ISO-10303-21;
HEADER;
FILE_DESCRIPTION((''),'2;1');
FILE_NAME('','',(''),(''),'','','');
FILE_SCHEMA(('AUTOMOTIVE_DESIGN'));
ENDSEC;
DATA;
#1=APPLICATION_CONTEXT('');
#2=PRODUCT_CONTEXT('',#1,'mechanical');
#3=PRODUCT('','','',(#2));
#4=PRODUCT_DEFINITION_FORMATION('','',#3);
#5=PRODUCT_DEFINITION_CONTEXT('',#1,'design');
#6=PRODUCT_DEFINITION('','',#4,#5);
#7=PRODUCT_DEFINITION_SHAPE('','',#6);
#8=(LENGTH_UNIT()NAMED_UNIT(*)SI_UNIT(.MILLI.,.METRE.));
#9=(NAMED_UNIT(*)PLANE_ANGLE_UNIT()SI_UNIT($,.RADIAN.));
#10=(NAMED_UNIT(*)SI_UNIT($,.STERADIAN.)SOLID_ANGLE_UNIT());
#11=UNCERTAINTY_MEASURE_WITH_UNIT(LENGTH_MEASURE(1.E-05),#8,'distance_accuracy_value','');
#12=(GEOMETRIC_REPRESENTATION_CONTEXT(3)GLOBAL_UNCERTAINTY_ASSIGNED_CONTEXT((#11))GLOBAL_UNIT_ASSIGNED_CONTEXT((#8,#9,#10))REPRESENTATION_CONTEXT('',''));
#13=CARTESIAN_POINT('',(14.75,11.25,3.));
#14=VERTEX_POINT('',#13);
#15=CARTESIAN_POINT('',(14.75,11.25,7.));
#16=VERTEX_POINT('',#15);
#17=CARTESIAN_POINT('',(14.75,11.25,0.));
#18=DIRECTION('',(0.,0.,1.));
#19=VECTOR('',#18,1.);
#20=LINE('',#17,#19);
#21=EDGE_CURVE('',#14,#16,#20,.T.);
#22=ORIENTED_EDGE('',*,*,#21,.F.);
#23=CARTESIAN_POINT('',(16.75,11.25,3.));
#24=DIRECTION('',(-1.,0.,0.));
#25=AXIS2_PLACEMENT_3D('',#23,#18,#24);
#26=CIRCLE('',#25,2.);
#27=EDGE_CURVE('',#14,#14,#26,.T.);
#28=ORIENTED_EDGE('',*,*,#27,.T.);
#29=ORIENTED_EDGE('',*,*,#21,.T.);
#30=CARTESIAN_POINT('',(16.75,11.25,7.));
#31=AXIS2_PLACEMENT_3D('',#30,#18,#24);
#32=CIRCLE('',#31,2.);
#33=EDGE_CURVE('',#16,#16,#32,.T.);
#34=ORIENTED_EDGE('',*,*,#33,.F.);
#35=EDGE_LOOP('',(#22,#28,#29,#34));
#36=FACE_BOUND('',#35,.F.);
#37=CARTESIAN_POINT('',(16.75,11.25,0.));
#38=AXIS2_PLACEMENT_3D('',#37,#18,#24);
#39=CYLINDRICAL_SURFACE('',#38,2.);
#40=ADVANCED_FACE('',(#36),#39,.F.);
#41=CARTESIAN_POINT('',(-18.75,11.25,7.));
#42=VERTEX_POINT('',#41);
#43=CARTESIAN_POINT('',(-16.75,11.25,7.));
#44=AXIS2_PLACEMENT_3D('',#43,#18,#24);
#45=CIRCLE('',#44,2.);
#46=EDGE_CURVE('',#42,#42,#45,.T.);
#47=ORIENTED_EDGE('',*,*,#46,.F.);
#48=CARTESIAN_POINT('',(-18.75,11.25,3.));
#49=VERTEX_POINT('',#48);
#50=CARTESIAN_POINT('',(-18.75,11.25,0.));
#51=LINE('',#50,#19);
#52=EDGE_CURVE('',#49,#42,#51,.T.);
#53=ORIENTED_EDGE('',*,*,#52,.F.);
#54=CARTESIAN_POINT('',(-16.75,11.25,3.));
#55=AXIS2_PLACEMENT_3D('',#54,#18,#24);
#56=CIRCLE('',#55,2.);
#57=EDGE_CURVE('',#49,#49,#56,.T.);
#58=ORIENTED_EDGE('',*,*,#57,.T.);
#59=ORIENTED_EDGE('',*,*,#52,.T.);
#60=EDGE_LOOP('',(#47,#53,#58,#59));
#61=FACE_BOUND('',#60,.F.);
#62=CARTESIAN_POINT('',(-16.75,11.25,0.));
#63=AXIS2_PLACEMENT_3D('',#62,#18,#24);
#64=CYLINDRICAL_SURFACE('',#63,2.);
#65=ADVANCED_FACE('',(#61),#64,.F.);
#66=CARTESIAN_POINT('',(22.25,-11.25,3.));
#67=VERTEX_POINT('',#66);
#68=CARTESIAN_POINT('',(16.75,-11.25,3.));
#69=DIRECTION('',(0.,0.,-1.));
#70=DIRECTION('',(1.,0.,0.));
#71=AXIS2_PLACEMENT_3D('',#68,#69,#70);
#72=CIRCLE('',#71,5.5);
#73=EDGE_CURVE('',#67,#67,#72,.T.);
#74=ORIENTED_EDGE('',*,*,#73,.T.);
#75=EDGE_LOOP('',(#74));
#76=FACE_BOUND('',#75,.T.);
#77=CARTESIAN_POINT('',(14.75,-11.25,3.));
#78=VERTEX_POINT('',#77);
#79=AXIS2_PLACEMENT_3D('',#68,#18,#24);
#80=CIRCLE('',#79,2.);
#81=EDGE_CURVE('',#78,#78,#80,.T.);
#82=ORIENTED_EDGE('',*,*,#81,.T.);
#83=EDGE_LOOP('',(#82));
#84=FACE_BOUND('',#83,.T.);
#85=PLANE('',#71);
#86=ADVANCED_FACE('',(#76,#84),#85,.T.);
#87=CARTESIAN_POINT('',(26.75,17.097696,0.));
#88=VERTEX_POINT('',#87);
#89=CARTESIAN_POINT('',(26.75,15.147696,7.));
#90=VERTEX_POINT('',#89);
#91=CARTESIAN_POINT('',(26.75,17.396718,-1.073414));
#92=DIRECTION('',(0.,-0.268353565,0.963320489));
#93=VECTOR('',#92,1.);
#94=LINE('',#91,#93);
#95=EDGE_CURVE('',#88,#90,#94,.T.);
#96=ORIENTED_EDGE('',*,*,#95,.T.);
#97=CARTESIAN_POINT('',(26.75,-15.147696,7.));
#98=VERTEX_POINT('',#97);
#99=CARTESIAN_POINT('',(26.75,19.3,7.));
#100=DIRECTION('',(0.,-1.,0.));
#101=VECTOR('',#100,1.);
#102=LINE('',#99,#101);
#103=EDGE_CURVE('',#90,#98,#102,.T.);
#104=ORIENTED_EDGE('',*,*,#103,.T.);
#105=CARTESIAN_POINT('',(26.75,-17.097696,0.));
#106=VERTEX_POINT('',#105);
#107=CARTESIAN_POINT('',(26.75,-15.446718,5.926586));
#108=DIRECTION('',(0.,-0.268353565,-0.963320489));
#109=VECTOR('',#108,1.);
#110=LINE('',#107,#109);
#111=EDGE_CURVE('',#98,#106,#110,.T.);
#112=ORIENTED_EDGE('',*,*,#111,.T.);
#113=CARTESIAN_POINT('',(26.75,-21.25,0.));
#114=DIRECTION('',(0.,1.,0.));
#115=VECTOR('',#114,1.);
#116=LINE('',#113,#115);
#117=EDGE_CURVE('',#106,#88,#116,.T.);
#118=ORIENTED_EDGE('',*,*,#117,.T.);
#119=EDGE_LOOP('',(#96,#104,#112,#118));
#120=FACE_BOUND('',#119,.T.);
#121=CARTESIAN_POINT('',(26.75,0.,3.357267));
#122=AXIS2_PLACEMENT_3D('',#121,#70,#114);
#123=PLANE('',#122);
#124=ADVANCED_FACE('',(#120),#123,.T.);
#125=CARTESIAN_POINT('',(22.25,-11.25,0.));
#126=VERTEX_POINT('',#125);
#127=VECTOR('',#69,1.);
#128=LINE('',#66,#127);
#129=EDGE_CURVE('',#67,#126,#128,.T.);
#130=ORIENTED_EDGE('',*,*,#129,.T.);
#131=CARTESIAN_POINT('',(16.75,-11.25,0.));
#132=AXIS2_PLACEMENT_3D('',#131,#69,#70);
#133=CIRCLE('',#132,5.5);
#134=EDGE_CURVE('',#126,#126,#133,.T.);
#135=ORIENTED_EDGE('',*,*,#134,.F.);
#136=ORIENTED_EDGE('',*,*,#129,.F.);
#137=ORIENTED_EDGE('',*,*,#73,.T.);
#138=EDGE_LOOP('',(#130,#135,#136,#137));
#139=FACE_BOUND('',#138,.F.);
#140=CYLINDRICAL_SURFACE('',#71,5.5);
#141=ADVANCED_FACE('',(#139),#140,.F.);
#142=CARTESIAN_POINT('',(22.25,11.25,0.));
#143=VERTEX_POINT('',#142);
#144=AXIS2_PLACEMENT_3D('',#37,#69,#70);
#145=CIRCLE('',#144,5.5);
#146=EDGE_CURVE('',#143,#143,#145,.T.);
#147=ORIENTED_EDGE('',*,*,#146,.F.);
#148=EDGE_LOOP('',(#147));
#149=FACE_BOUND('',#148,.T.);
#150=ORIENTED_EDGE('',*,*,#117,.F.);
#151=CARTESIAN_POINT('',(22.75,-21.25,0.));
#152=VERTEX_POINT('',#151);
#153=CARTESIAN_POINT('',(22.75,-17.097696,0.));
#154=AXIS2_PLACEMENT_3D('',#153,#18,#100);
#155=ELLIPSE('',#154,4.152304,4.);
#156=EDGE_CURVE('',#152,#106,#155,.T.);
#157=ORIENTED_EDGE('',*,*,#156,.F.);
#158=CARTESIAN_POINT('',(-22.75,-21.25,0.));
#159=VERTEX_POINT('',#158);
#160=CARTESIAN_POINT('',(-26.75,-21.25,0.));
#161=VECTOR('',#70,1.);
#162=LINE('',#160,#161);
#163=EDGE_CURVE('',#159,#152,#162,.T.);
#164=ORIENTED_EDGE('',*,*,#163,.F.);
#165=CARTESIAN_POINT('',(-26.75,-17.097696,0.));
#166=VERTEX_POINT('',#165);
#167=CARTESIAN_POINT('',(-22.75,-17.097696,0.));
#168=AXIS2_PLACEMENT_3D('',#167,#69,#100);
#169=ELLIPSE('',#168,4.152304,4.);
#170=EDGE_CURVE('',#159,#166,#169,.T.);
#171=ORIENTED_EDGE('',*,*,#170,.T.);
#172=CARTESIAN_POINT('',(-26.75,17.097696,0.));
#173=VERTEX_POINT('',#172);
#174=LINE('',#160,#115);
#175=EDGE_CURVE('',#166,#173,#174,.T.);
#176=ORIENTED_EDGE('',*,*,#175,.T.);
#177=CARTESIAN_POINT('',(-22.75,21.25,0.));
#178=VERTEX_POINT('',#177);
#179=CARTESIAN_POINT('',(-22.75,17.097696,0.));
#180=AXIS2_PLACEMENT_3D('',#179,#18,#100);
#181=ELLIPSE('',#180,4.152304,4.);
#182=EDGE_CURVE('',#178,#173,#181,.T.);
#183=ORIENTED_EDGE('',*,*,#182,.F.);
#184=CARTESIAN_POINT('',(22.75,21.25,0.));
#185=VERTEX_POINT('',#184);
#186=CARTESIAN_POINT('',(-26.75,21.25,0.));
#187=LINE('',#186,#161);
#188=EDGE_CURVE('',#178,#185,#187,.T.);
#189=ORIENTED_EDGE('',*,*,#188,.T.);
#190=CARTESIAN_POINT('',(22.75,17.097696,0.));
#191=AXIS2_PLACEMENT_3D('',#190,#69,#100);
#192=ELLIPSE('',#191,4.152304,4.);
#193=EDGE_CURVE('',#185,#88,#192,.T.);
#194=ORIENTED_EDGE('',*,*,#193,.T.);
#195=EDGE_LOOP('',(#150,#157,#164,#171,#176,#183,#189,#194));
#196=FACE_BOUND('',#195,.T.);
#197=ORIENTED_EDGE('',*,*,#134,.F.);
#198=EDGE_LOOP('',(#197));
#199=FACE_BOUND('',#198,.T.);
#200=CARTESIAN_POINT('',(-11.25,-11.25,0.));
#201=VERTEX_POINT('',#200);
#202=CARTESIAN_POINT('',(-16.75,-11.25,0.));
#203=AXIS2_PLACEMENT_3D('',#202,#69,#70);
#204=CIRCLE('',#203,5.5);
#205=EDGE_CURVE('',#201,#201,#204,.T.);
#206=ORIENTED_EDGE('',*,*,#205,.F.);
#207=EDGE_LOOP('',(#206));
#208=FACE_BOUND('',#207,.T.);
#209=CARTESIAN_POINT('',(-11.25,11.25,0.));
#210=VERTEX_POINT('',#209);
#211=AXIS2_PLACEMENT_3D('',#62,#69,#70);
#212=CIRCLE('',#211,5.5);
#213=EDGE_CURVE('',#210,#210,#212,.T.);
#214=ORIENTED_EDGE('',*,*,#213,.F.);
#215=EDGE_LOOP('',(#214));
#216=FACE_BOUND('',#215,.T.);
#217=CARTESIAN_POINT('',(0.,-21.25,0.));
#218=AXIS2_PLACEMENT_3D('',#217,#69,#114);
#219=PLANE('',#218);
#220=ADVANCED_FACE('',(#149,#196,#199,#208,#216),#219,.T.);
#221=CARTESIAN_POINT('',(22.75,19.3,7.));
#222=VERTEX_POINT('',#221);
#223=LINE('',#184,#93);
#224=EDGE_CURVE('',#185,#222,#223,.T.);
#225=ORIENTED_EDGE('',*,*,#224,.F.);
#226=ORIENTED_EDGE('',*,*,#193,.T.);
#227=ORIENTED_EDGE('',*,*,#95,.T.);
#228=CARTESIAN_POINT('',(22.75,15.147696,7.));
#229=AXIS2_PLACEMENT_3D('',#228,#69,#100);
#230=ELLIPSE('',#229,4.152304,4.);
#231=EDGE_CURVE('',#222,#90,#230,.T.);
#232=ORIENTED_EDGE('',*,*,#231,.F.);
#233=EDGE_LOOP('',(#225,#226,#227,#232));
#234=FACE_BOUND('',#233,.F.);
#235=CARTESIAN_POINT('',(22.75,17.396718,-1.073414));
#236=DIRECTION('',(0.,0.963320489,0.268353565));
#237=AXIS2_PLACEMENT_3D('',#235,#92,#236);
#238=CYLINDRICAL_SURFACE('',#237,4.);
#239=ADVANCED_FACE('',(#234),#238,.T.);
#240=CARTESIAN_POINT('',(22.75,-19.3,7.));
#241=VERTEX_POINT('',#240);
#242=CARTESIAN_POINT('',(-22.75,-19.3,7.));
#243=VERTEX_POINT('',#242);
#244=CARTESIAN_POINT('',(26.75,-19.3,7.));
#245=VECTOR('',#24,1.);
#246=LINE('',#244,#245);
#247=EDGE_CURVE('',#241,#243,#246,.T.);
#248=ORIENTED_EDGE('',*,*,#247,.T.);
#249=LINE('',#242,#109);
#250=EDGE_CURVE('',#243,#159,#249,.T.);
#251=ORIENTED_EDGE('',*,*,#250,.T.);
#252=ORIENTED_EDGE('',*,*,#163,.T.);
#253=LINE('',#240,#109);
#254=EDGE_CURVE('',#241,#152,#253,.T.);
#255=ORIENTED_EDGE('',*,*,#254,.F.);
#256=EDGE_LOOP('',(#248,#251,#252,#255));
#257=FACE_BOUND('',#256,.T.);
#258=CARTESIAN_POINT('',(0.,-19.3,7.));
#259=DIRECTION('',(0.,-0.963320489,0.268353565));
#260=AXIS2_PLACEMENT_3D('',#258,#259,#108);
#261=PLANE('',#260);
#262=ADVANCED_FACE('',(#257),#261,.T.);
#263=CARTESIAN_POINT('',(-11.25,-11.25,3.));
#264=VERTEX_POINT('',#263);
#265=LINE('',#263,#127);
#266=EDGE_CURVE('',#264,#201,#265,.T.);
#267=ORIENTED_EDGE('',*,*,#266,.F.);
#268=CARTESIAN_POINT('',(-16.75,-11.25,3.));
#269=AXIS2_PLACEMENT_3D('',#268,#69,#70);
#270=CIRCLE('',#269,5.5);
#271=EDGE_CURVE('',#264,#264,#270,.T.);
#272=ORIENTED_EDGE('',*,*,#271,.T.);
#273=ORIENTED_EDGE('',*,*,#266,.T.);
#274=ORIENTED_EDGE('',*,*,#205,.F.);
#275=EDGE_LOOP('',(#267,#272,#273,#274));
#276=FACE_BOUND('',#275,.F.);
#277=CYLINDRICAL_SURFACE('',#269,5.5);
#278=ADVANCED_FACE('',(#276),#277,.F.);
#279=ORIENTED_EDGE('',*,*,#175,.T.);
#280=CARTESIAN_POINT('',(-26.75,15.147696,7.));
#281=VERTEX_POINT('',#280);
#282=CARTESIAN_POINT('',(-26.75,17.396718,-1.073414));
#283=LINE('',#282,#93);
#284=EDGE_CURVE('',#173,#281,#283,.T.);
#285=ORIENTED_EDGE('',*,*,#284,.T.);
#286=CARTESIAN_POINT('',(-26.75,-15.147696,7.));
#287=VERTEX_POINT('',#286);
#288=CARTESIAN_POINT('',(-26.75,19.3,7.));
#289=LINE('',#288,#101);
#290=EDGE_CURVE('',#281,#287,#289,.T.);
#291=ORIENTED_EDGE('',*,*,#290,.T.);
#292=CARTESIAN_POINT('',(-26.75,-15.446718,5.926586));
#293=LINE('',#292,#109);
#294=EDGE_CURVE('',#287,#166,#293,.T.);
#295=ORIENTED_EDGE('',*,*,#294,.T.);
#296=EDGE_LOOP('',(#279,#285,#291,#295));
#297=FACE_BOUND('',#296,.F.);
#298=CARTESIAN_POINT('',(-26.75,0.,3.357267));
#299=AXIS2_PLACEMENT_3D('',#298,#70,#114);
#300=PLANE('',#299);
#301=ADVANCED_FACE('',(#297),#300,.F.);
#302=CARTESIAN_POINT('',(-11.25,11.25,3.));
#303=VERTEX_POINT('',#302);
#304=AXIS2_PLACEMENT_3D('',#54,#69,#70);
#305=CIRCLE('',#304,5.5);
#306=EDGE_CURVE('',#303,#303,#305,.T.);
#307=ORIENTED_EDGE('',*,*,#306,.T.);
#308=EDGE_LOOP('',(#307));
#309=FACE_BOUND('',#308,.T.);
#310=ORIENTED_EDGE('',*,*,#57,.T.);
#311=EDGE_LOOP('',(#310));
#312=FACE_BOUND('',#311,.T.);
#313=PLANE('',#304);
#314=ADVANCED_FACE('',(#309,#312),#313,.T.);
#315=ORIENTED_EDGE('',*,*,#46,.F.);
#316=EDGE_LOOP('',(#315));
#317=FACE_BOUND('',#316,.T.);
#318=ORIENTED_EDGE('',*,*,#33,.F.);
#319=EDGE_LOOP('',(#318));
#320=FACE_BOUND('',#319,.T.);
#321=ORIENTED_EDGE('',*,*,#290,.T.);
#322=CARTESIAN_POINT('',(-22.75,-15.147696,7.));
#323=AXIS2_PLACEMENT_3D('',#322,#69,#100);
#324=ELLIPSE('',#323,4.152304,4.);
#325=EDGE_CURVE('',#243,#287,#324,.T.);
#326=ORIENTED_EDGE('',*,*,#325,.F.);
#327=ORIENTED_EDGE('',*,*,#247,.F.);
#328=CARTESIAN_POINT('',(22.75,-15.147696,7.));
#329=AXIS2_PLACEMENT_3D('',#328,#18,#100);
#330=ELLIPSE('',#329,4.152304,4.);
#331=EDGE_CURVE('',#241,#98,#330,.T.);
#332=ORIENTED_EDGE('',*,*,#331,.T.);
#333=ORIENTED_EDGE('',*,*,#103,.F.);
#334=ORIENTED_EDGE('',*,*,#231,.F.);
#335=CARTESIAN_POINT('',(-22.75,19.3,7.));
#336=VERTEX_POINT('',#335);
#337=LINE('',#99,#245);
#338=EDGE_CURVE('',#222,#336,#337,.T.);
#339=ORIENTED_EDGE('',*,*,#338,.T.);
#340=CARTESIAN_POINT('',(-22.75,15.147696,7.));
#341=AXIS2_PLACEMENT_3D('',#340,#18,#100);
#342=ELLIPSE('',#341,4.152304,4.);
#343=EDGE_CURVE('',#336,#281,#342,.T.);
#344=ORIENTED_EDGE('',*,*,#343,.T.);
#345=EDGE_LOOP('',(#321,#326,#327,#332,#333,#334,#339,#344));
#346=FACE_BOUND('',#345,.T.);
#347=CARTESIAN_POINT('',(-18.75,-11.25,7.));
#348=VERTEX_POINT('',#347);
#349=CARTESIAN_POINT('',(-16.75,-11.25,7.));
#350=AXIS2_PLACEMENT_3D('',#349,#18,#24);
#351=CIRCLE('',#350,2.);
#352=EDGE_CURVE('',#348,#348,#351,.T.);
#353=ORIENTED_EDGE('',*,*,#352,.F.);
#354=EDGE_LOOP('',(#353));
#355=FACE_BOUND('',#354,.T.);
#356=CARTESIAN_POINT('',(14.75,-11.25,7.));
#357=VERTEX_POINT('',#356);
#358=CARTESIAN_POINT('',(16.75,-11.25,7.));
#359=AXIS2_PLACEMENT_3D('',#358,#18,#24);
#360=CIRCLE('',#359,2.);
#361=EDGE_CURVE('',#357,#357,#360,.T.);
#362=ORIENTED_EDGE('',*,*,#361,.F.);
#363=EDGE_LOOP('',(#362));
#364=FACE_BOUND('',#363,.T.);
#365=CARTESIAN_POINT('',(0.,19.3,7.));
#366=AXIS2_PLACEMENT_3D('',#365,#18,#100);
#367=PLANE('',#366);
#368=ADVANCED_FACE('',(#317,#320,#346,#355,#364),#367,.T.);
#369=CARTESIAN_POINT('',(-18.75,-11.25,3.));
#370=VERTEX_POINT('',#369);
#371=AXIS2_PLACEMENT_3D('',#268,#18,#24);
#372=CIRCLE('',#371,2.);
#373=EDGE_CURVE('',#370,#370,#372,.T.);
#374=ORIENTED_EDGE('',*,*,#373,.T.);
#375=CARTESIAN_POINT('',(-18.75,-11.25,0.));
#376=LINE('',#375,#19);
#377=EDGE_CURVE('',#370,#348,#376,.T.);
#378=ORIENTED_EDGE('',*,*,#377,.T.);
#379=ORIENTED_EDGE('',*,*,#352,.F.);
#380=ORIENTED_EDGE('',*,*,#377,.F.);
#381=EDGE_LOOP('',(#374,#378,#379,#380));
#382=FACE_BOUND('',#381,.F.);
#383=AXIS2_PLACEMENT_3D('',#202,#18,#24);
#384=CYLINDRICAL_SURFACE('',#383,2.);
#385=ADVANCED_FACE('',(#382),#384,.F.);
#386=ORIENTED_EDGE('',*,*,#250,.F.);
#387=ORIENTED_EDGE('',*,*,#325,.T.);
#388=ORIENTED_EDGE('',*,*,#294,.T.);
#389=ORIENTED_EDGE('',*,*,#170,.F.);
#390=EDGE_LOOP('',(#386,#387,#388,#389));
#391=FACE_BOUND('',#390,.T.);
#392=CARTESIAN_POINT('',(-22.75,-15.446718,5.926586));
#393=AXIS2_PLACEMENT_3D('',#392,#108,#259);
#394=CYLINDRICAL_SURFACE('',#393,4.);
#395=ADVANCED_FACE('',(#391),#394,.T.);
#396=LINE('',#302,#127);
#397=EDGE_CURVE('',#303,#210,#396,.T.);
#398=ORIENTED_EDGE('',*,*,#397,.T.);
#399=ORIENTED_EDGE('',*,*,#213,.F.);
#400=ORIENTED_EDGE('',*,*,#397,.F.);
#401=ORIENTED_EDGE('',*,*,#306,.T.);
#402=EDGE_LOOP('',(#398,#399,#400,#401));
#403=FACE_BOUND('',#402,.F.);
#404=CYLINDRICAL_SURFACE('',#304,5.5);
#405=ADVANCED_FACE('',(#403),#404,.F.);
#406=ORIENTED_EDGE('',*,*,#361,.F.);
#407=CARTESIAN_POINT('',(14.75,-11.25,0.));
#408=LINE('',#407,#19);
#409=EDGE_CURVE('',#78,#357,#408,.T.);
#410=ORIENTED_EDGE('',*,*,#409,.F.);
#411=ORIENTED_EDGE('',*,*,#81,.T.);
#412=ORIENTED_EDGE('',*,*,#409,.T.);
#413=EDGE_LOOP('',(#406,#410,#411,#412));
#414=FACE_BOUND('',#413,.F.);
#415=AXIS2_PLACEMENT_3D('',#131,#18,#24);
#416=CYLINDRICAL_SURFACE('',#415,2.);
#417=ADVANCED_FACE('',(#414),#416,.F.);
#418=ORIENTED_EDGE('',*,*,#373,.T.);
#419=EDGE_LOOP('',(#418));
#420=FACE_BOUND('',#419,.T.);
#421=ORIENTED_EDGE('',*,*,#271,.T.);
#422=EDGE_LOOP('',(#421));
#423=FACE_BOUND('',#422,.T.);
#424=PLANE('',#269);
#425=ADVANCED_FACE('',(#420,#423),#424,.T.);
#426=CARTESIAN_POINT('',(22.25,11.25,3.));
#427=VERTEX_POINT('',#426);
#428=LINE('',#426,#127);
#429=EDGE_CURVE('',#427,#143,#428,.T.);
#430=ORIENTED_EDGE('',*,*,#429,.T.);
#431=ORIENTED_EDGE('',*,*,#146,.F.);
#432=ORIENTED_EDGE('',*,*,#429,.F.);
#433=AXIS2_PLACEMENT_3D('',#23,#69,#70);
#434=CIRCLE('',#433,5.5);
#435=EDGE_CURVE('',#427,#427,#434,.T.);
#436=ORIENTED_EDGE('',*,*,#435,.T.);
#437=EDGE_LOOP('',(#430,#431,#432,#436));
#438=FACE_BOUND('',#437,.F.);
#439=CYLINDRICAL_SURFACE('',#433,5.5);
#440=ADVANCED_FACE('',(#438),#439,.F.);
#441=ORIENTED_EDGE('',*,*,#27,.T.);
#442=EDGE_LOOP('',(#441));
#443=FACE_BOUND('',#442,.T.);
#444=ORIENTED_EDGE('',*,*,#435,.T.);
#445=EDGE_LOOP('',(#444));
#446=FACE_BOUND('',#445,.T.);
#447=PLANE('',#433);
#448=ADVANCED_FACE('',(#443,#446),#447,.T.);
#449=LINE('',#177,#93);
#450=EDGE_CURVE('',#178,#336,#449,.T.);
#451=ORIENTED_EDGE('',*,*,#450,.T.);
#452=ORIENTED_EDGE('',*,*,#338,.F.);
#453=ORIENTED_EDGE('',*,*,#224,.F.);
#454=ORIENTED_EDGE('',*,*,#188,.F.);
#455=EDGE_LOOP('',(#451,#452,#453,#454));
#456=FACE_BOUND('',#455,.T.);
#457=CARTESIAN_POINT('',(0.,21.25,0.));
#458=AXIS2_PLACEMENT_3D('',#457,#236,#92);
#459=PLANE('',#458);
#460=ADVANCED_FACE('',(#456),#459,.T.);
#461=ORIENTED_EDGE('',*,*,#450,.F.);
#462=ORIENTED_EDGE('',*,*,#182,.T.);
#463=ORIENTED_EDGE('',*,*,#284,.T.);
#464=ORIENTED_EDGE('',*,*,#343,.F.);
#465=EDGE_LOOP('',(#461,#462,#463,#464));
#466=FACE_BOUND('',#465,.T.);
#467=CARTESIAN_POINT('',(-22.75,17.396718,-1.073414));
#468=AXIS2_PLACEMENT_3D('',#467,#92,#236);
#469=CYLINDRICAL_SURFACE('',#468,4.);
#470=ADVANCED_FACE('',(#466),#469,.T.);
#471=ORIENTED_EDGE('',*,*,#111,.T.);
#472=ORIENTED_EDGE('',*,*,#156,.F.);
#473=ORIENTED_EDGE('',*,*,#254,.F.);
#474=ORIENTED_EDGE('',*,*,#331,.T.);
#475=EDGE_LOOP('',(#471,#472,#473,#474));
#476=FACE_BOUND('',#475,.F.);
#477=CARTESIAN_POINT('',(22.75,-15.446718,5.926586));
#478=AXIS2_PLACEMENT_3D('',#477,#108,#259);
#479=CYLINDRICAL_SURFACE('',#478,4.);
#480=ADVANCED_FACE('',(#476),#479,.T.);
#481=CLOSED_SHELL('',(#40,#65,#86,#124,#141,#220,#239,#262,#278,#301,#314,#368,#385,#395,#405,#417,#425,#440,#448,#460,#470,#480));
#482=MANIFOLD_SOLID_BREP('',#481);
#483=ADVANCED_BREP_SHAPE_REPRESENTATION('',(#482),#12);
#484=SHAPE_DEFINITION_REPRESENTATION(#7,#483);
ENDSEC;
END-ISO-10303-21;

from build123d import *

# Parameters (mm, degrees)
F2_DEPTH       = 26.75
F3_R           = 4
F5_D           = 4
F5_DEPTH       = 14.1
F5_CBORE_D     = 11
F5_CBORE_DEPTH = 3
F5_TIP         = 1.2017212381


with BuildPart() as f2:
    # F1 (on Right) → F2 (new body, symmetric)
    with BuildSketch(Plane.YZ):
        Polygon((-19.3, 7), (-21.25, 0), (21.25, 0), (19.3, 7), align=None)
    extrude(amount=F2_DEPTH, both=True)

    # F3
    f3_edges = [f2.edges().sort_by_distance(p)[0] for p in [
        (-26.75, -20.275, 3.5),
        (26.75, -20.275, 3.5),
        (26.75, 20.275, 3.5),
        (-26.75, 20.275, 3.5),
    ]]
    fillet(f3_edges, radius=F3_R)

    # F5
    with Locations(Plane(origin=(0, 0, 0), x_dir=(1, 0, 0), z_dir=(0, 0, -1))):
        with Locations((-16.75, 11.25), (16.75, 11.25), (16.75, -11.25), (-16.75, -11.25)):
            CounterBoreHole(F5_D / 2, F5_CBORE_D / 2, F5_CBORE_DEPTH, depth=F5_DEPTH)
            with Locations((0, 0, -(F5_DEPTH + F5_TIP / 2))):  # 118° drill point
                Cone(0, F5_D / 2, F5_TIP, mode=Mode.SUBTRACT)


solid = f2.part
